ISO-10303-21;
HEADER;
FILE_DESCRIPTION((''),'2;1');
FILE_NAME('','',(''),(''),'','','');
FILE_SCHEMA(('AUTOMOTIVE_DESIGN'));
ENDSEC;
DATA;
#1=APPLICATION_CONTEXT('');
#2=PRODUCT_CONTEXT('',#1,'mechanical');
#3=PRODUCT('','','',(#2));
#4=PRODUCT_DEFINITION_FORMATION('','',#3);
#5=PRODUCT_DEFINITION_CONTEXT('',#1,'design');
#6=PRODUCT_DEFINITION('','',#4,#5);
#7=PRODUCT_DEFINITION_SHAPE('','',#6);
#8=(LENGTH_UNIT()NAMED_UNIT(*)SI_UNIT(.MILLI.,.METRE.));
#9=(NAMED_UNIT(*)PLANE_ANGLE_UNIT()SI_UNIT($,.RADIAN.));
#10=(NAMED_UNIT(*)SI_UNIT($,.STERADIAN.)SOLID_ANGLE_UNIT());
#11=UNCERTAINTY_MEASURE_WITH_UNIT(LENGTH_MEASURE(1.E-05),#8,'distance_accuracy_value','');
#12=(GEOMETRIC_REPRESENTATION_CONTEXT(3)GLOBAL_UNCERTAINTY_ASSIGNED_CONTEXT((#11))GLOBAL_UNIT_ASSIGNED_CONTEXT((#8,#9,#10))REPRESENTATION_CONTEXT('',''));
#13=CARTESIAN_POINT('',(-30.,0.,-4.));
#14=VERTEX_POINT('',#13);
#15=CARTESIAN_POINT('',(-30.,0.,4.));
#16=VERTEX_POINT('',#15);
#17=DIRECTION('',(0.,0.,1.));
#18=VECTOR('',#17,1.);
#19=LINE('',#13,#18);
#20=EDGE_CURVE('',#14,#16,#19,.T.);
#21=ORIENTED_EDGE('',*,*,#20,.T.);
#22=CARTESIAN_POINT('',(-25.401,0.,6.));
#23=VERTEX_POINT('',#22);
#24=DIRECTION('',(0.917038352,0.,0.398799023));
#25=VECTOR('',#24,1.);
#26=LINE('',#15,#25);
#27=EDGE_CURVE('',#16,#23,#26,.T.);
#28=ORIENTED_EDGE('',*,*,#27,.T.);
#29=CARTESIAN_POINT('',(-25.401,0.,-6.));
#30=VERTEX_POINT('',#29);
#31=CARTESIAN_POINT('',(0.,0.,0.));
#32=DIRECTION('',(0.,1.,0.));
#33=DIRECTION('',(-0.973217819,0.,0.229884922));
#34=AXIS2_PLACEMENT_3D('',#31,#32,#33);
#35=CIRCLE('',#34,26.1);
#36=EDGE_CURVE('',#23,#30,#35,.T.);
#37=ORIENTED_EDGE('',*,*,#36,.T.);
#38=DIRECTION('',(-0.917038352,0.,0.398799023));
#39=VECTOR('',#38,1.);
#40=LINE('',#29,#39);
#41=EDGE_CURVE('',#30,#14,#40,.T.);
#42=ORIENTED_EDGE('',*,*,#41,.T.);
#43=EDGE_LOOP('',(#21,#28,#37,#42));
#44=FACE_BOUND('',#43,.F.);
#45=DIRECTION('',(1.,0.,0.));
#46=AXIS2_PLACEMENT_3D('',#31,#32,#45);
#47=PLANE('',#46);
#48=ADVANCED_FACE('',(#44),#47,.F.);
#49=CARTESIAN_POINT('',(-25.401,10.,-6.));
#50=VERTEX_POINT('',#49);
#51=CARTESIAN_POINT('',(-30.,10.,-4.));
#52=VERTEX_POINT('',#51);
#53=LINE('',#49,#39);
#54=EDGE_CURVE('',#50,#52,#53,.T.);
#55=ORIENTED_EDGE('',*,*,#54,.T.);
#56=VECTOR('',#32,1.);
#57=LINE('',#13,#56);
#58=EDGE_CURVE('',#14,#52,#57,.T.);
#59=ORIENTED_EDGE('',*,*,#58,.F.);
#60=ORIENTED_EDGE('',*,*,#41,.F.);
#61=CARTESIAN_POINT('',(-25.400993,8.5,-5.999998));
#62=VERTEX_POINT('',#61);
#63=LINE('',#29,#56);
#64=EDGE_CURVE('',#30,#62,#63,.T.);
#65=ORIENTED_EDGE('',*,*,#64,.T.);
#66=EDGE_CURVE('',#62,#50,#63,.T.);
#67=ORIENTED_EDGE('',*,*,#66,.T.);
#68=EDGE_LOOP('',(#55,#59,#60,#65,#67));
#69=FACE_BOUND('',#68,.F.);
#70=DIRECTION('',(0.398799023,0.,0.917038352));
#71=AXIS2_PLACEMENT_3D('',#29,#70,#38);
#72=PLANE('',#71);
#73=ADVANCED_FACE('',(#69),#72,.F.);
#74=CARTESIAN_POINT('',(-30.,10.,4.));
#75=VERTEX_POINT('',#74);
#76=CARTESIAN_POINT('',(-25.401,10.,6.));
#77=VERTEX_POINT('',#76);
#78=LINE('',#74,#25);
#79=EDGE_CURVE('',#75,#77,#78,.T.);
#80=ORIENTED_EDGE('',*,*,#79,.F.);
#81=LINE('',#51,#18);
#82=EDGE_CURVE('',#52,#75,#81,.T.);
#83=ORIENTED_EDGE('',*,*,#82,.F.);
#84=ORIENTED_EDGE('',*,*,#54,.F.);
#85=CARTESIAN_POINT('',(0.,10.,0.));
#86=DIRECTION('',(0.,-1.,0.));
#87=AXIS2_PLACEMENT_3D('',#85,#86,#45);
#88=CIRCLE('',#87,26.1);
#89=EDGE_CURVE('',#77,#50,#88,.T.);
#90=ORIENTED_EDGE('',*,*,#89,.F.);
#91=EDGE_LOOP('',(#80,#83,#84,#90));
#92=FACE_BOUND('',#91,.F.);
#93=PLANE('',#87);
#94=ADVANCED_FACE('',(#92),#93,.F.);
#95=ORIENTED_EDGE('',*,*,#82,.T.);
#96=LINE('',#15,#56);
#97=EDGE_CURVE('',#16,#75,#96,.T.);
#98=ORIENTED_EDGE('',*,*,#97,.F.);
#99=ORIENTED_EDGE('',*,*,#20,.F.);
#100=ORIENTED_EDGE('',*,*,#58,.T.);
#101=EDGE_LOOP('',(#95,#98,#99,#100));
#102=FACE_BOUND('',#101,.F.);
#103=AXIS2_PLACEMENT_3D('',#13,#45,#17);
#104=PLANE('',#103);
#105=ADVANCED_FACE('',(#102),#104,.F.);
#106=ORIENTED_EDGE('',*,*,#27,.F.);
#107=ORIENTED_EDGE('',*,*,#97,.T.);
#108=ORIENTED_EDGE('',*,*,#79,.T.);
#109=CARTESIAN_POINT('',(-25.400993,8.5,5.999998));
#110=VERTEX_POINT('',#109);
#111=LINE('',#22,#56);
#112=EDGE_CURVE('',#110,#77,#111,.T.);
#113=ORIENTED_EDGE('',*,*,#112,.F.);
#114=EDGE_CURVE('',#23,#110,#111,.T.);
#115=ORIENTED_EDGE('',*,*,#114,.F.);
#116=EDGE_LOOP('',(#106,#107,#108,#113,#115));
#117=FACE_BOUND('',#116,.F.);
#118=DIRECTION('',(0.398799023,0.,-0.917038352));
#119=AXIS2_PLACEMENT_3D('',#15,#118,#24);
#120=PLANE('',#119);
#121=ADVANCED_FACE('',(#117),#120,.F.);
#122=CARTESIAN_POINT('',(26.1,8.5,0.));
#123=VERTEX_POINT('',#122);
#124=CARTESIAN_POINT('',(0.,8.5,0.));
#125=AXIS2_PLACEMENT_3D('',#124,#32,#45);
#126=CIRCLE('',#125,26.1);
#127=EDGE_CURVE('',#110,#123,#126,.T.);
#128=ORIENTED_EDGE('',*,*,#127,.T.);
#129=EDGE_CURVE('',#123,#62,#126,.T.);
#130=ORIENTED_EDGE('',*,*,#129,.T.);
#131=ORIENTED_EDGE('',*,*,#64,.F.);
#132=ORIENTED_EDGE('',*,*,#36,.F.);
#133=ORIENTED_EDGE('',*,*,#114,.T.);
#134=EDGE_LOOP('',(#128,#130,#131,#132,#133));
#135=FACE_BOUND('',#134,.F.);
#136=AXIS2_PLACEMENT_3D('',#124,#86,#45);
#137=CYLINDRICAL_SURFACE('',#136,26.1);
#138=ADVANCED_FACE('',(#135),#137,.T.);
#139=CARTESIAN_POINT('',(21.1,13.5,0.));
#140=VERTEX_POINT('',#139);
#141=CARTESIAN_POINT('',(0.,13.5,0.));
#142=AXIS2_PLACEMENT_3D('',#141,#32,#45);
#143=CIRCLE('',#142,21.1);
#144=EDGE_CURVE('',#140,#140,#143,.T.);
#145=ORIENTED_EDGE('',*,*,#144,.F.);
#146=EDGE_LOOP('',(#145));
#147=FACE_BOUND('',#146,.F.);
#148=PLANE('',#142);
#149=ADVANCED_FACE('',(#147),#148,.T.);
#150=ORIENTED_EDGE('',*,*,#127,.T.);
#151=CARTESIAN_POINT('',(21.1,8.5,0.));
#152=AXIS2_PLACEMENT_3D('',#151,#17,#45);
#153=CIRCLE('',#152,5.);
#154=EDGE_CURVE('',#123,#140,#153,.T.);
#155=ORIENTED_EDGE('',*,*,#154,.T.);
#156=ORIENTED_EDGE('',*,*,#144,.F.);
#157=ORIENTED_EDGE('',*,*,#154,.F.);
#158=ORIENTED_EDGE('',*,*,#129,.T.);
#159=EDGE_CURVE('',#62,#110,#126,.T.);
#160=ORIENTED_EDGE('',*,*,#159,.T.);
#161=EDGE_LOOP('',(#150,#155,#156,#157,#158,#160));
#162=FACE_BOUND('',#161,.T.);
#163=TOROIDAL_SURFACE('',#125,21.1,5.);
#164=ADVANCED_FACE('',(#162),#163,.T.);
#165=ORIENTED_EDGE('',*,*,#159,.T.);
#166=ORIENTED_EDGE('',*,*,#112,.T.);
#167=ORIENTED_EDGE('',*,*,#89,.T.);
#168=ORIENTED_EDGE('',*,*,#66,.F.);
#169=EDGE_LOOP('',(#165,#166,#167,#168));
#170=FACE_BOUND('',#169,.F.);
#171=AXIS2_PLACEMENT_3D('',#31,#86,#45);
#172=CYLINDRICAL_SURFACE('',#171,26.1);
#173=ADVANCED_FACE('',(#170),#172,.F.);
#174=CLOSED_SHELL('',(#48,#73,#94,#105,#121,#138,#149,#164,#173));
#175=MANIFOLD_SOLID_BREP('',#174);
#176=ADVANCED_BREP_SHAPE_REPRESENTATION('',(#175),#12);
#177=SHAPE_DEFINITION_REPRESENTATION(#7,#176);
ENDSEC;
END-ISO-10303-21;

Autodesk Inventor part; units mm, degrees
ref_plane "YZ Plane" through (0, 0, 0) normal (1, 0, 0) x (0, 1, 0)
ref_plane "XZ Plane" through (0, 0, 0) normal (0, 1, 0) x (-1, 0, 0)
ref_plane "XY Plane" through (0, 0, 0) normal (0, 0, 1) x (1, 0, 0)
sketch "Sketch1" plane through (0, 0, 0) normal (0, 0, 1) x (1, 0, 0)
  line L0 (0, 0) -> (0, 13.5)
  line L1 (0, 13.5) -> (21.1, 13.5)
  line L2 (26.1, 8.5) -> (26.1, 0)
  line L3 (26.1, 0) -> (0, 0)
  line L4 (0, 0) -> (0, 45.7407)
  arc A0 (26.1, 8.5) -> (21.1, 13.5) centre (21.1, 8.5) ccw
  dimension "d2" = 52.2
  dimension "d3" = 13.5
  dimension "d4" = 5
revolve "Revolution1" add sketch "Sketch1" angle 360 about axis through (0, 0, 0) along (0, 1, 0)
sketch "Sketch2" plane through (0, 0, 0) normal (0, -1, 0) x (1, 0, 0)
  circle A0 centre (0, 0) radius 26.1 projected
  line L0 (-25.401, -6) -> (-30, -4)
  line L1 (-30, -4) -> (-30, 4)
  line L2 (-30, 4) -> (-25.401, 6)
  line L3 (-25.401, 6) -> (-25.401, -6)
  point P0 (-30, 0)
  dimension "d6" = 8
  dimension "d7" = 12
  dimension "d8" = 30
extrude "Extrusion1" add sketch "Sketch2" against normal blind 10 contours A0 L0 L1 L2
sketch "Sketch3" plane through (-30, 0, -4) normal (-1, 0, 0) x (0, 0, 1)
  circle A0 centre (4, 7) radius 1.35
  line L0 (8, 0) -> (0, 0) projected
  point P0 (4, 0)
  point P1 (4, 0)
  point P2 (4, 0)
  dimension "d11" = 2.7
  dimension "d12" = 7
properties part number "GPSR_antenna" material "ABS Plastic"
